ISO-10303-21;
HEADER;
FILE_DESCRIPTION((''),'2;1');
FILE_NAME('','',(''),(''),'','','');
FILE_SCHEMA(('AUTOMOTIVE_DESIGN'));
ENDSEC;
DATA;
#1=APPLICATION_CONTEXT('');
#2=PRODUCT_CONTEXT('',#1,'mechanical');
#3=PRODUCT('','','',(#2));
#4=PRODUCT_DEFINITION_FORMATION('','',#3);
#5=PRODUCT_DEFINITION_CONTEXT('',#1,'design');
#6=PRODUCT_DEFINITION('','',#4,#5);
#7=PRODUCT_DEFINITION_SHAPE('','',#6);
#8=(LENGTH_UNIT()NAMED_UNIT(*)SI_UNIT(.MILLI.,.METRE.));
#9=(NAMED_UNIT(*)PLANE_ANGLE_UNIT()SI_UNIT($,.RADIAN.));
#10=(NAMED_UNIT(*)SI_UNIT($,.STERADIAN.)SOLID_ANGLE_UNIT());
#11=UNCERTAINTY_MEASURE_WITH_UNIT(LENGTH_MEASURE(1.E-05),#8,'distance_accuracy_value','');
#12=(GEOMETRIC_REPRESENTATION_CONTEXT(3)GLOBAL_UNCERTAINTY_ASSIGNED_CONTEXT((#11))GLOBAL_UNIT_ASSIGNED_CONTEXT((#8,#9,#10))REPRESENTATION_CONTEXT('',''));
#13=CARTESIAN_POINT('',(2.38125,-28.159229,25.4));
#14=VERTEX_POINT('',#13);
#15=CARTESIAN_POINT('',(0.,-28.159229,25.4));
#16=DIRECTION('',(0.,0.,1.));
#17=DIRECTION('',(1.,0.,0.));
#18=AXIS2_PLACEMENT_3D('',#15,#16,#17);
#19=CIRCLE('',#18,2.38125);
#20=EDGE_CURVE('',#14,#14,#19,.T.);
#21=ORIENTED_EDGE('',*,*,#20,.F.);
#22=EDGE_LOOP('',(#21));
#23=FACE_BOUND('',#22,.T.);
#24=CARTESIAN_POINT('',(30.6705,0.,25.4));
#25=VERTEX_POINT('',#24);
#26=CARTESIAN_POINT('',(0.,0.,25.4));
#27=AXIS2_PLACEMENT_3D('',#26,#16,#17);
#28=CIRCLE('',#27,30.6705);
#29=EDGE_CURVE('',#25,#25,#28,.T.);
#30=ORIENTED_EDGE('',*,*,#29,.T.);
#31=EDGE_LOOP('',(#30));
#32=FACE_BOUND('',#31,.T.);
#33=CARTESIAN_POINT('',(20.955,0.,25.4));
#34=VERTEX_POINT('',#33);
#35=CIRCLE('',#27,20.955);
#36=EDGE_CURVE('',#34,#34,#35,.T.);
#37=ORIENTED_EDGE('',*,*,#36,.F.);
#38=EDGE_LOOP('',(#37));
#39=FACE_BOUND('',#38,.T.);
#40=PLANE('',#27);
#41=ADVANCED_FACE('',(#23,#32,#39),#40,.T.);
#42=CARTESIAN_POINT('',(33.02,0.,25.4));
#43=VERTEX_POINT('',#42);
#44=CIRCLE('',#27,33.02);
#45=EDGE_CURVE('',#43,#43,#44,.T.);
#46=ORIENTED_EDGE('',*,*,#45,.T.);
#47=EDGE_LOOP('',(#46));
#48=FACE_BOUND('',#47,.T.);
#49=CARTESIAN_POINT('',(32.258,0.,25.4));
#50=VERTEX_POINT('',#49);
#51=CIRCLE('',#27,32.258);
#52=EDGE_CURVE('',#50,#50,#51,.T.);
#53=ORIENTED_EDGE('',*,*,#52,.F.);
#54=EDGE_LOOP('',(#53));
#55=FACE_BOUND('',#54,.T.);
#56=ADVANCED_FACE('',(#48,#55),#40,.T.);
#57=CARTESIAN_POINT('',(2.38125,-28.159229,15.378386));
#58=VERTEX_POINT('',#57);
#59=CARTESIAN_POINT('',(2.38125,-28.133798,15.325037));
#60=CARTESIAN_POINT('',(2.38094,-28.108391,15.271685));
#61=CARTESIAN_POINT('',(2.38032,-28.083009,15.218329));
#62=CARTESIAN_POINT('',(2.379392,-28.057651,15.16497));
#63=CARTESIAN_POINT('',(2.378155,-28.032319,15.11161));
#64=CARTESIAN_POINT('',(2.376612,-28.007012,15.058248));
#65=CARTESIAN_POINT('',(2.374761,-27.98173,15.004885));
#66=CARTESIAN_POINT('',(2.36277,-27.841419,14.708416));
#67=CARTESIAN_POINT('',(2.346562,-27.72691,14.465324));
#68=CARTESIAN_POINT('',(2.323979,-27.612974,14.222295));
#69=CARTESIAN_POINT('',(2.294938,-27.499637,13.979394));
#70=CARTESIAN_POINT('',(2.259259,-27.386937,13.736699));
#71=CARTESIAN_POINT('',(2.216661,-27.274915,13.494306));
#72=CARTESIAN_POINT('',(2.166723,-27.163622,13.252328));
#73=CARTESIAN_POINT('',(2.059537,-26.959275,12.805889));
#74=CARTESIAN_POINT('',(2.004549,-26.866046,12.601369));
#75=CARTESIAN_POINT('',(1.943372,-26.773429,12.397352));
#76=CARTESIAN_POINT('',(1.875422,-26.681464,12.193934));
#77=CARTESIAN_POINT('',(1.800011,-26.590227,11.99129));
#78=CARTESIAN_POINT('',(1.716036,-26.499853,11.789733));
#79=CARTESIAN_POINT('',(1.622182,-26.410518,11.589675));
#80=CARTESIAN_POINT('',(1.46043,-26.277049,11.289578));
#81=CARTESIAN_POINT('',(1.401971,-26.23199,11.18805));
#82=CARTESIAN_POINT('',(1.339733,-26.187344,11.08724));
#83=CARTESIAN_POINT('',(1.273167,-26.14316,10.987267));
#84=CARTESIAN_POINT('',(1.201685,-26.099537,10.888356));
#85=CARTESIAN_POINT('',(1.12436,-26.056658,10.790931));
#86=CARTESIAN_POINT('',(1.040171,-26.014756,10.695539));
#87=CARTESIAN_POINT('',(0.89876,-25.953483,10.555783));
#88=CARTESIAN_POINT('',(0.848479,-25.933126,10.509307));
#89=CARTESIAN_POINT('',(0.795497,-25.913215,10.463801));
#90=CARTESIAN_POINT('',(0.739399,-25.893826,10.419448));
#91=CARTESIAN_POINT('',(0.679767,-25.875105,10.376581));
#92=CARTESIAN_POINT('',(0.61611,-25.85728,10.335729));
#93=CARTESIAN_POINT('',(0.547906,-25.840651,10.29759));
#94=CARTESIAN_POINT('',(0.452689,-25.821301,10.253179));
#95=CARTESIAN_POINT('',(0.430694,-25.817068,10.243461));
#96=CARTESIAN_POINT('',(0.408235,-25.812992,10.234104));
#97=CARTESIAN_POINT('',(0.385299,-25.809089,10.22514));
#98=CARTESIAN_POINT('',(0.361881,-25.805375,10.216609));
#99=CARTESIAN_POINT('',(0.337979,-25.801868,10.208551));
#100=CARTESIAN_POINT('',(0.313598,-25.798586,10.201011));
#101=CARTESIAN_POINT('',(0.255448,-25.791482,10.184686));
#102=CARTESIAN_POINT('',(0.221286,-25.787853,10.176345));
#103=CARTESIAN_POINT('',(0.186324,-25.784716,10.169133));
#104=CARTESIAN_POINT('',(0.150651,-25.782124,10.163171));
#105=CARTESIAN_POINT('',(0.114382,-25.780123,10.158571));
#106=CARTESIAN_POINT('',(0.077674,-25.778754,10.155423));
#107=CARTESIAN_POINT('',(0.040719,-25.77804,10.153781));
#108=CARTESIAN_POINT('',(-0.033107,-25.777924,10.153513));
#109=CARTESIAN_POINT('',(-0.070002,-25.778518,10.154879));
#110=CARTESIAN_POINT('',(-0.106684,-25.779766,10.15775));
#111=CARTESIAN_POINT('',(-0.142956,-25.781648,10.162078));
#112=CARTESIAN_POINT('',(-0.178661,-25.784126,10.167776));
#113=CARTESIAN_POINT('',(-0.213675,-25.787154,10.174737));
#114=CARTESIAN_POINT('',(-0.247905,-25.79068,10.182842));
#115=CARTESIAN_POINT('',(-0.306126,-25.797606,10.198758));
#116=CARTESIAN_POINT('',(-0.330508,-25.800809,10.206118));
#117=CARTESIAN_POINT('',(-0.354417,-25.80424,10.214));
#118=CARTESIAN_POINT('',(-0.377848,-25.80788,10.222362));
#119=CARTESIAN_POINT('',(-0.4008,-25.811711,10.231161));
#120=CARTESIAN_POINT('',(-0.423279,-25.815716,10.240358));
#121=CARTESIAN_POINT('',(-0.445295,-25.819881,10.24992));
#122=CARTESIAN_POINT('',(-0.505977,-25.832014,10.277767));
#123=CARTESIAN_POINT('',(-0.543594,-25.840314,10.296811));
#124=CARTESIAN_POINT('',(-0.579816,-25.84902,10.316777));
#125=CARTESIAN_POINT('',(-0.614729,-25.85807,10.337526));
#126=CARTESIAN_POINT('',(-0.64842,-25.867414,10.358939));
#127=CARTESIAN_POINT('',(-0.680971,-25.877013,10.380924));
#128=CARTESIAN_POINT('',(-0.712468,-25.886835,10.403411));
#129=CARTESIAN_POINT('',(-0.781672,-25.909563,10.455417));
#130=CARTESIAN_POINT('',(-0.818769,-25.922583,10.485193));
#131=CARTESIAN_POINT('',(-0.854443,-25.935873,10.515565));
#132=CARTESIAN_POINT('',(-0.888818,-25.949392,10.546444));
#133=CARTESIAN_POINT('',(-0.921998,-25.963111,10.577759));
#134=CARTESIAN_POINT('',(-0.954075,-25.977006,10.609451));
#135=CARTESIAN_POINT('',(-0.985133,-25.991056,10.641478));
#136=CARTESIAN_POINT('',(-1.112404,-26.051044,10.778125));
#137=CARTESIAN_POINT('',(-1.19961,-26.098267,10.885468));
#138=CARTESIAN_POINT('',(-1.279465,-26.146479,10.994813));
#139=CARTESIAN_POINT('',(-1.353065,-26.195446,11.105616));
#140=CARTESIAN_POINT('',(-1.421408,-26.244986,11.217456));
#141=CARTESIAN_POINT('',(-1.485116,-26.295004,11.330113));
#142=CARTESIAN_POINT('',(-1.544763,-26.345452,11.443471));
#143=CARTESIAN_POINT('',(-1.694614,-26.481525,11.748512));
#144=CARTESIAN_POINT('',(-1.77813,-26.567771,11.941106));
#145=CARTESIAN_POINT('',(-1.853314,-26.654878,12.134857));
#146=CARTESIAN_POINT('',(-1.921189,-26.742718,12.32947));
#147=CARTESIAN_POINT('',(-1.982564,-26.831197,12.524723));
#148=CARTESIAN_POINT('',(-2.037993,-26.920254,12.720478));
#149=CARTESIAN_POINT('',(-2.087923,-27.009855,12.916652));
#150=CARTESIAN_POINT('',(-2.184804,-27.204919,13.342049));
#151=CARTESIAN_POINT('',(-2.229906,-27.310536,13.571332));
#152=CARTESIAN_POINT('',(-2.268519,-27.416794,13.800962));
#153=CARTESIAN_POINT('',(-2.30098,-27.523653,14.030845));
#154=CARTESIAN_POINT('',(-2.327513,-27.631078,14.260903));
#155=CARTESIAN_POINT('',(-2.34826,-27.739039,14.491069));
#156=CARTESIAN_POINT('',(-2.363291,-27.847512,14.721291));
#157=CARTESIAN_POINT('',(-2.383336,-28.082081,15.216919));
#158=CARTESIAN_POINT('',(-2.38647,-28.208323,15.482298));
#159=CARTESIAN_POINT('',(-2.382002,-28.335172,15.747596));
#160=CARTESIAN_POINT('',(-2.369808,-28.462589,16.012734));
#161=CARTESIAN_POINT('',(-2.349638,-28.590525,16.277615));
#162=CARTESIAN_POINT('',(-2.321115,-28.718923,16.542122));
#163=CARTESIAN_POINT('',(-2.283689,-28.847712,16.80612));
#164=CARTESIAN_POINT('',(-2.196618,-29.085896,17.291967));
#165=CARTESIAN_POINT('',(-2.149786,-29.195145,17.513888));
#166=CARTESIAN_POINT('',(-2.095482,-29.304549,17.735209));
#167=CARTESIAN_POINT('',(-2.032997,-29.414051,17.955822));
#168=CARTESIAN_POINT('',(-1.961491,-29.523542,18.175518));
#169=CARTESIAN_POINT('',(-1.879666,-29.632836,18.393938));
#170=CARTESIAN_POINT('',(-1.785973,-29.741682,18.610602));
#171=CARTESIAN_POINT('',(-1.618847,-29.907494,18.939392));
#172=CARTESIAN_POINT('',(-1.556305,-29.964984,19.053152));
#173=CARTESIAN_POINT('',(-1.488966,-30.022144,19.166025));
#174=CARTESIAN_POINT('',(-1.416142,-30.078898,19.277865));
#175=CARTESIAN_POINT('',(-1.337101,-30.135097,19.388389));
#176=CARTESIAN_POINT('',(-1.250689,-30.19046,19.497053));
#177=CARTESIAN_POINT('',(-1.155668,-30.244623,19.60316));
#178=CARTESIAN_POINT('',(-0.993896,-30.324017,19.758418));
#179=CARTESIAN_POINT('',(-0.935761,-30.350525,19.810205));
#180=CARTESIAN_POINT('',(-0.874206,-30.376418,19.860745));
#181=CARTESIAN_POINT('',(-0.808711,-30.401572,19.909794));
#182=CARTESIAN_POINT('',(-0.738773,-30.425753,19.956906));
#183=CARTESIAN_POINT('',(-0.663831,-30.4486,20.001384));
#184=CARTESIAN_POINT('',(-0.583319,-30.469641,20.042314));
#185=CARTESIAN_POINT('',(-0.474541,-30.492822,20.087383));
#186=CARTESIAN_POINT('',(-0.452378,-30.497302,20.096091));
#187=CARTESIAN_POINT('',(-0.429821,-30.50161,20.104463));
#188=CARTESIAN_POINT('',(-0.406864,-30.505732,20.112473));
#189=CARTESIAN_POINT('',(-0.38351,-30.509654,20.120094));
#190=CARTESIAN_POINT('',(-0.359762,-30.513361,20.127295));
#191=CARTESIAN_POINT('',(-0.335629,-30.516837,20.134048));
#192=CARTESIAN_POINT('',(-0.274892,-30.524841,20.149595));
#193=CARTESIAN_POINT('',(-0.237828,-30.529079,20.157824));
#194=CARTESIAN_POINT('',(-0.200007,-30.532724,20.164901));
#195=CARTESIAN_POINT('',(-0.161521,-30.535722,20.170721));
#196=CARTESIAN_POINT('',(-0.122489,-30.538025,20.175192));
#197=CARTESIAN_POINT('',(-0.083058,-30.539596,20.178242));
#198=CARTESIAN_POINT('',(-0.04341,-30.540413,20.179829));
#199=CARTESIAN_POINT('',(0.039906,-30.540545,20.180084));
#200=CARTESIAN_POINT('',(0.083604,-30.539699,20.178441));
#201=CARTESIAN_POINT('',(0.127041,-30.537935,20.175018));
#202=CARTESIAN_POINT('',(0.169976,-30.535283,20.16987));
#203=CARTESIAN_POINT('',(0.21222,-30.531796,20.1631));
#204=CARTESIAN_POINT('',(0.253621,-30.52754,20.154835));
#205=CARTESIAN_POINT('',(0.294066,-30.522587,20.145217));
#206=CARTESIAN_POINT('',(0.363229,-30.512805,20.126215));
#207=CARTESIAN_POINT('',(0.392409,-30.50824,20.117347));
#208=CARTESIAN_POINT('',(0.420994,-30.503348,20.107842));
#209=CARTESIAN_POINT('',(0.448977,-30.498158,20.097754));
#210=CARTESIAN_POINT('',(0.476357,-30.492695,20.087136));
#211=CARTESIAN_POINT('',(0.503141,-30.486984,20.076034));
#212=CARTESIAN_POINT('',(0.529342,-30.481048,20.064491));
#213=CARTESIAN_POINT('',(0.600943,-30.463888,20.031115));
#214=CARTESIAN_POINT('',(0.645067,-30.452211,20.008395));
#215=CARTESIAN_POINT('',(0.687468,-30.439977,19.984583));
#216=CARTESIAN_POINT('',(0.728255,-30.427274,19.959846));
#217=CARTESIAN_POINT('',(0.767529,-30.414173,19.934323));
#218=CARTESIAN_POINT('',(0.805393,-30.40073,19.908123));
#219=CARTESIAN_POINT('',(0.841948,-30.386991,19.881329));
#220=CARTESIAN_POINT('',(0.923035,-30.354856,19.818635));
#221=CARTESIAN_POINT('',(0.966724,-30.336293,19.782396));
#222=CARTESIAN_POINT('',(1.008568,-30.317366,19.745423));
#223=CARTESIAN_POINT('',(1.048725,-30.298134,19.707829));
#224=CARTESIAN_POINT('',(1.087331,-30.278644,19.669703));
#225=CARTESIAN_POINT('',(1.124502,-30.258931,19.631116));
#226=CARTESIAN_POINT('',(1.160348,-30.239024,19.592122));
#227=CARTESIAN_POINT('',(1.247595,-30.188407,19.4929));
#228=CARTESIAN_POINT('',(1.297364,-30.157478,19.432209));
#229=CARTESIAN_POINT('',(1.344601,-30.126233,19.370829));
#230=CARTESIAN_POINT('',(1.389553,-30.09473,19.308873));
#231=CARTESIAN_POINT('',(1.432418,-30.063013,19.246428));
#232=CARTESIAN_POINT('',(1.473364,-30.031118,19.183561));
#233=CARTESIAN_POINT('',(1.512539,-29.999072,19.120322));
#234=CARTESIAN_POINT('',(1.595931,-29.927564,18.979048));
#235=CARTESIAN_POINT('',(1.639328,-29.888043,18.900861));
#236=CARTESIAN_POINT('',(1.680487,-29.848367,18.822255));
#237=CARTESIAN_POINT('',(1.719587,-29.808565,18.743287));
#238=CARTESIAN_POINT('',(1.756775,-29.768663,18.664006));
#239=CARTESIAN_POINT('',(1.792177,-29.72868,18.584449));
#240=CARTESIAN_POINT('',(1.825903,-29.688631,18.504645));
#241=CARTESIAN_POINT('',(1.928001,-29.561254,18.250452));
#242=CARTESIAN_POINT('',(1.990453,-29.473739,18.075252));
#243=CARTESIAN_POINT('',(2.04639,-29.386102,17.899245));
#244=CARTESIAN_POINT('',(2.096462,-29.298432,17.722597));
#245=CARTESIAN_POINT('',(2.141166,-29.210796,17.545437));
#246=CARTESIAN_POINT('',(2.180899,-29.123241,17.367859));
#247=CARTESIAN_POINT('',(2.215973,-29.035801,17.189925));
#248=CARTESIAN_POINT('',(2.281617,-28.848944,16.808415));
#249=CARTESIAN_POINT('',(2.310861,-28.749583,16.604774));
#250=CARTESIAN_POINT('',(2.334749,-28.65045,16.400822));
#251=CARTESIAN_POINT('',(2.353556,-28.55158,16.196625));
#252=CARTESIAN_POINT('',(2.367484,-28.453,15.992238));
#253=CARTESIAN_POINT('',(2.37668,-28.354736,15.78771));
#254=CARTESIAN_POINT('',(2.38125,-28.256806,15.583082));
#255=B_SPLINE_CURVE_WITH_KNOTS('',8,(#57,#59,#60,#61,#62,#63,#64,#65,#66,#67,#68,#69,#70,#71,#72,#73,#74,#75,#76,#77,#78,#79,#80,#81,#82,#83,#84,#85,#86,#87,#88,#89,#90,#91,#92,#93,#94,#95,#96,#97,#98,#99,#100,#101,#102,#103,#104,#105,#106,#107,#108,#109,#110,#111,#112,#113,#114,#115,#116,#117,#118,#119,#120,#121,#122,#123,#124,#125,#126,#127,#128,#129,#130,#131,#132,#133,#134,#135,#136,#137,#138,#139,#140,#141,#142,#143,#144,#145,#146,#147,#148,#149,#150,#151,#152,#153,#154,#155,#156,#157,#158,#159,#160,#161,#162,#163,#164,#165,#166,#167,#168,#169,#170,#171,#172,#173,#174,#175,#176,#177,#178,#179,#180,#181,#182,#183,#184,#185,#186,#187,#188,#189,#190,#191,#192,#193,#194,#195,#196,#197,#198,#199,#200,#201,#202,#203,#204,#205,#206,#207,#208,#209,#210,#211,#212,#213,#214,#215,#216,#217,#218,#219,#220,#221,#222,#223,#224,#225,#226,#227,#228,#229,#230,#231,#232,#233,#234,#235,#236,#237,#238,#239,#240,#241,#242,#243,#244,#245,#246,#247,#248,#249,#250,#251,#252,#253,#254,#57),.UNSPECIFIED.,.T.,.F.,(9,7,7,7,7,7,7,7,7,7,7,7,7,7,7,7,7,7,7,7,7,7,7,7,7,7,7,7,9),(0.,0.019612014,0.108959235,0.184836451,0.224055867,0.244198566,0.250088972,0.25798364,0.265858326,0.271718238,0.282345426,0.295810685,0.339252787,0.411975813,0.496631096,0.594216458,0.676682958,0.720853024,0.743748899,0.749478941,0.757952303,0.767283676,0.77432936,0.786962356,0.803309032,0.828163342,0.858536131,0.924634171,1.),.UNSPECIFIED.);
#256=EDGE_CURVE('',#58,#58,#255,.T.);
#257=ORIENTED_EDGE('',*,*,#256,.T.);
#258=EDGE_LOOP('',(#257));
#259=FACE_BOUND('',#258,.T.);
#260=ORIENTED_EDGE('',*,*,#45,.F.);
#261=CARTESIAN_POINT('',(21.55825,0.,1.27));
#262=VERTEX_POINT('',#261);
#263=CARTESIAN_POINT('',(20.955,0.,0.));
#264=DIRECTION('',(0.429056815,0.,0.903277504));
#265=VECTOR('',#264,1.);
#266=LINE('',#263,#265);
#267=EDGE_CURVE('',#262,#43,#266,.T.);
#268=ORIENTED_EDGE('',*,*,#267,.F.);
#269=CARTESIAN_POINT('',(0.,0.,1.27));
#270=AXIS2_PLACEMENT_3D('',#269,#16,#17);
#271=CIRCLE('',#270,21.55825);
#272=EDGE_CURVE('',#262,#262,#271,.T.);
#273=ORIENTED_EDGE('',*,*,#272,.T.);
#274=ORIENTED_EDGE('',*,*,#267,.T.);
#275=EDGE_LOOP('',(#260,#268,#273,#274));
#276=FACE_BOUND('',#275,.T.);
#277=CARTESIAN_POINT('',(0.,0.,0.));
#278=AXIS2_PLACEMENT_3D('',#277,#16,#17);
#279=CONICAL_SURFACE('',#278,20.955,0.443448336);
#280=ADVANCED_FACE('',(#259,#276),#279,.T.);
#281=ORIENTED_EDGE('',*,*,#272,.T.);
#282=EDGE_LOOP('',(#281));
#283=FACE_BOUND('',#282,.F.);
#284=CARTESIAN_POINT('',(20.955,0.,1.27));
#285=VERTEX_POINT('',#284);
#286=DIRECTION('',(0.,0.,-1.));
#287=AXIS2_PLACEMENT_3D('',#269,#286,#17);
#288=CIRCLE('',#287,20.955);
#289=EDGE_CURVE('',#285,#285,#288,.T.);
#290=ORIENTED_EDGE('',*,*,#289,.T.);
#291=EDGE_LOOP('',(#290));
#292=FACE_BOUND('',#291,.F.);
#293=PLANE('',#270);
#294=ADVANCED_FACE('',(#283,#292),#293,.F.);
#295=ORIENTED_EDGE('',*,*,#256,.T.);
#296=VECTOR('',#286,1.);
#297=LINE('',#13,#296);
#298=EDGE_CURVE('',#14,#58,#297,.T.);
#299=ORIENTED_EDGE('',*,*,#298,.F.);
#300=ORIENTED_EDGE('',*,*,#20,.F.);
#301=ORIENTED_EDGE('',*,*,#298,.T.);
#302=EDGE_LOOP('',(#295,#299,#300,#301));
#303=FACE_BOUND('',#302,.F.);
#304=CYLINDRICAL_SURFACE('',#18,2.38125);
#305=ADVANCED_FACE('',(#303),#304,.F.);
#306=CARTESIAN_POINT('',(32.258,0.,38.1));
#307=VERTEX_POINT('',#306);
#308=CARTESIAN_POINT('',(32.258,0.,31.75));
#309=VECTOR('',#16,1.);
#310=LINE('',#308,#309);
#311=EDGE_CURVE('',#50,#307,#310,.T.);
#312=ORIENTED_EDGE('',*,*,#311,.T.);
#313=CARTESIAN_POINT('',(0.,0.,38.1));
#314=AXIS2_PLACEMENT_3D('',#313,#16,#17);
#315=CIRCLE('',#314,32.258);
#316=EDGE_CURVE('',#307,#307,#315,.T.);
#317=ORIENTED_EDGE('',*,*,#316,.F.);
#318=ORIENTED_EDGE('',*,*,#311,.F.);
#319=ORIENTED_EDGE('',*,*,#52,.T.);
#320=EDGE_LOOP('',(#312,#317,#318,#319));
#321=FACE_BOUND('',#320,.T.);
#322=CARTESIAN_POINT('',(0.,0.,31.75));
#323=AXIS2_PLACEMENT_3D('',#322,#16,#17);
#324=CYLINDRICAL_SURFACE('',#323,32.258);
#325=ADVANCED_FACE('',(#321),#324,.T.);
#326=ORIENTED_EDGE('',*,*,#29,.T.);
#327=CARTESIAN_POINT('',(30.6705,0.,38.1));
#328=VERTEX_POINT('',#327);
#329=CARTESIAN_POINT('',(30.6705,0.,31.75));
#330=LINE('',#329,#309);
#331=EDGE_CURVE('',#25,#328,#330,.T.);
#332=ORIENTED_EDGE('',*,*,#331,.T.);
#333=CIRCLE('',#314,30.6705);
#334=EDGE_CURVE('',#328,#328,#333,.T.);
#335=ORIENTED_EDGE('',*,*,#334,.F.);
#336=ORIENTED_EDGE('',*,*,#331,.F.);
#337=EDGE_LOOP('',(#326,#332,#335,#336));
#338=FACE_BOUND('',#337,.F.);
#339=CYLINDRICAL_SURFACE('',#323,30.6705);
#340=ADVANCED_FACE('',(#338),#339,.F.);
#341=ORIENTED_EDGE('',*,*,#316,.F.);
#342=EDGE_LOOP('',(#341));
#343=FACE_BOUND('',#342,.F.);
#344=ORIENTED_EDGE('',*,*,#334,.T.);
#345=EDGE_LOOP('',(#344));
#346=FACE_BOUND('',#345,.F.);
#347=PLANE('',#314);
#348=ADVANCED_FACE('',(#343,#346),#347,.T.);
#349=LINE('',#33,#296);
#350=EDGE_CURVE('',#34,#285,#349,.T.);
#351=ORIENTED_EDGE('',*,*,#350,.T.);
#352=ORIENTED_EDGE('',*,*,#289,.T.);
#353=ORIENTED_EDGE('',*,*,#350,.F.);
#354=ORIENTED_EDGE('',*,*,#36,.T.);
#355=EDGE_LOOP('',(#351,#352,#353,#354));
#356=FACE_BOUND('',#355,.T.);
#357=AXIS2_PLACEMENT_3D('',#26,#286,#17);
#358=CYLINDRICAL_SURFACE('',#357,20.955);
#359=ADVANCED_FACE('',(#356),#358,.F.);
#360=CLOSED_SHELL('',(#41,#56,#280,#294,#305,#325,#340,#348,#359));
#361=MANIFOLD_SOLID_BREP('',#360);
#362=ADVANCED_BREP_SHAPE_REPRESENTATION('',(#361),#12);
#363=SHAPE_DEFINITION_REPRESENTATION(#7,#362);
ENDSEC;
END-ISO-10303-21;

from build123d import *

# Parameters (mm, degrees)
F0_W     = 1.5875
F0_H     = 12.7
F2_R     = 2.38125
F3_DEPTH = 32.9692
F4_R     = 43.342469
F5_DEPTH = 1.27


with BuildPart() as f1:
    # F0 (on Front) → F1 (revolve)
    with BuildSketch(Plane.XZ):
        Polygon((30.6705, 25.4), (20.955, 25.4), (20.955, 0), (33.02, 25.4), (32.258, 25.4), align=None)
        with Locations((31.46425, 31.75)):
            Rectangle(F0_W, F0_H)
    revolve(axis=Axis((0, 0, 24.195854), (0, 0, 1)))

    # F2 (on face) → F3 (cut)
    with BuildSketch(Plane.XY.offset(25.4)):
        with Locations((0, -28.159229)):
            Circle(F2_R)
    extrude(amount=-F3_DEPTH, mode=Mode.SUBTRACT)

    # F4 (on Top) → F5 (cut)
    with BuildSketch(Plane.XY):
        Circle(F4_R)
    extrude(amount=F5_DEPTH, mode=Mode.SUBTRACT)


solid = f1.part
